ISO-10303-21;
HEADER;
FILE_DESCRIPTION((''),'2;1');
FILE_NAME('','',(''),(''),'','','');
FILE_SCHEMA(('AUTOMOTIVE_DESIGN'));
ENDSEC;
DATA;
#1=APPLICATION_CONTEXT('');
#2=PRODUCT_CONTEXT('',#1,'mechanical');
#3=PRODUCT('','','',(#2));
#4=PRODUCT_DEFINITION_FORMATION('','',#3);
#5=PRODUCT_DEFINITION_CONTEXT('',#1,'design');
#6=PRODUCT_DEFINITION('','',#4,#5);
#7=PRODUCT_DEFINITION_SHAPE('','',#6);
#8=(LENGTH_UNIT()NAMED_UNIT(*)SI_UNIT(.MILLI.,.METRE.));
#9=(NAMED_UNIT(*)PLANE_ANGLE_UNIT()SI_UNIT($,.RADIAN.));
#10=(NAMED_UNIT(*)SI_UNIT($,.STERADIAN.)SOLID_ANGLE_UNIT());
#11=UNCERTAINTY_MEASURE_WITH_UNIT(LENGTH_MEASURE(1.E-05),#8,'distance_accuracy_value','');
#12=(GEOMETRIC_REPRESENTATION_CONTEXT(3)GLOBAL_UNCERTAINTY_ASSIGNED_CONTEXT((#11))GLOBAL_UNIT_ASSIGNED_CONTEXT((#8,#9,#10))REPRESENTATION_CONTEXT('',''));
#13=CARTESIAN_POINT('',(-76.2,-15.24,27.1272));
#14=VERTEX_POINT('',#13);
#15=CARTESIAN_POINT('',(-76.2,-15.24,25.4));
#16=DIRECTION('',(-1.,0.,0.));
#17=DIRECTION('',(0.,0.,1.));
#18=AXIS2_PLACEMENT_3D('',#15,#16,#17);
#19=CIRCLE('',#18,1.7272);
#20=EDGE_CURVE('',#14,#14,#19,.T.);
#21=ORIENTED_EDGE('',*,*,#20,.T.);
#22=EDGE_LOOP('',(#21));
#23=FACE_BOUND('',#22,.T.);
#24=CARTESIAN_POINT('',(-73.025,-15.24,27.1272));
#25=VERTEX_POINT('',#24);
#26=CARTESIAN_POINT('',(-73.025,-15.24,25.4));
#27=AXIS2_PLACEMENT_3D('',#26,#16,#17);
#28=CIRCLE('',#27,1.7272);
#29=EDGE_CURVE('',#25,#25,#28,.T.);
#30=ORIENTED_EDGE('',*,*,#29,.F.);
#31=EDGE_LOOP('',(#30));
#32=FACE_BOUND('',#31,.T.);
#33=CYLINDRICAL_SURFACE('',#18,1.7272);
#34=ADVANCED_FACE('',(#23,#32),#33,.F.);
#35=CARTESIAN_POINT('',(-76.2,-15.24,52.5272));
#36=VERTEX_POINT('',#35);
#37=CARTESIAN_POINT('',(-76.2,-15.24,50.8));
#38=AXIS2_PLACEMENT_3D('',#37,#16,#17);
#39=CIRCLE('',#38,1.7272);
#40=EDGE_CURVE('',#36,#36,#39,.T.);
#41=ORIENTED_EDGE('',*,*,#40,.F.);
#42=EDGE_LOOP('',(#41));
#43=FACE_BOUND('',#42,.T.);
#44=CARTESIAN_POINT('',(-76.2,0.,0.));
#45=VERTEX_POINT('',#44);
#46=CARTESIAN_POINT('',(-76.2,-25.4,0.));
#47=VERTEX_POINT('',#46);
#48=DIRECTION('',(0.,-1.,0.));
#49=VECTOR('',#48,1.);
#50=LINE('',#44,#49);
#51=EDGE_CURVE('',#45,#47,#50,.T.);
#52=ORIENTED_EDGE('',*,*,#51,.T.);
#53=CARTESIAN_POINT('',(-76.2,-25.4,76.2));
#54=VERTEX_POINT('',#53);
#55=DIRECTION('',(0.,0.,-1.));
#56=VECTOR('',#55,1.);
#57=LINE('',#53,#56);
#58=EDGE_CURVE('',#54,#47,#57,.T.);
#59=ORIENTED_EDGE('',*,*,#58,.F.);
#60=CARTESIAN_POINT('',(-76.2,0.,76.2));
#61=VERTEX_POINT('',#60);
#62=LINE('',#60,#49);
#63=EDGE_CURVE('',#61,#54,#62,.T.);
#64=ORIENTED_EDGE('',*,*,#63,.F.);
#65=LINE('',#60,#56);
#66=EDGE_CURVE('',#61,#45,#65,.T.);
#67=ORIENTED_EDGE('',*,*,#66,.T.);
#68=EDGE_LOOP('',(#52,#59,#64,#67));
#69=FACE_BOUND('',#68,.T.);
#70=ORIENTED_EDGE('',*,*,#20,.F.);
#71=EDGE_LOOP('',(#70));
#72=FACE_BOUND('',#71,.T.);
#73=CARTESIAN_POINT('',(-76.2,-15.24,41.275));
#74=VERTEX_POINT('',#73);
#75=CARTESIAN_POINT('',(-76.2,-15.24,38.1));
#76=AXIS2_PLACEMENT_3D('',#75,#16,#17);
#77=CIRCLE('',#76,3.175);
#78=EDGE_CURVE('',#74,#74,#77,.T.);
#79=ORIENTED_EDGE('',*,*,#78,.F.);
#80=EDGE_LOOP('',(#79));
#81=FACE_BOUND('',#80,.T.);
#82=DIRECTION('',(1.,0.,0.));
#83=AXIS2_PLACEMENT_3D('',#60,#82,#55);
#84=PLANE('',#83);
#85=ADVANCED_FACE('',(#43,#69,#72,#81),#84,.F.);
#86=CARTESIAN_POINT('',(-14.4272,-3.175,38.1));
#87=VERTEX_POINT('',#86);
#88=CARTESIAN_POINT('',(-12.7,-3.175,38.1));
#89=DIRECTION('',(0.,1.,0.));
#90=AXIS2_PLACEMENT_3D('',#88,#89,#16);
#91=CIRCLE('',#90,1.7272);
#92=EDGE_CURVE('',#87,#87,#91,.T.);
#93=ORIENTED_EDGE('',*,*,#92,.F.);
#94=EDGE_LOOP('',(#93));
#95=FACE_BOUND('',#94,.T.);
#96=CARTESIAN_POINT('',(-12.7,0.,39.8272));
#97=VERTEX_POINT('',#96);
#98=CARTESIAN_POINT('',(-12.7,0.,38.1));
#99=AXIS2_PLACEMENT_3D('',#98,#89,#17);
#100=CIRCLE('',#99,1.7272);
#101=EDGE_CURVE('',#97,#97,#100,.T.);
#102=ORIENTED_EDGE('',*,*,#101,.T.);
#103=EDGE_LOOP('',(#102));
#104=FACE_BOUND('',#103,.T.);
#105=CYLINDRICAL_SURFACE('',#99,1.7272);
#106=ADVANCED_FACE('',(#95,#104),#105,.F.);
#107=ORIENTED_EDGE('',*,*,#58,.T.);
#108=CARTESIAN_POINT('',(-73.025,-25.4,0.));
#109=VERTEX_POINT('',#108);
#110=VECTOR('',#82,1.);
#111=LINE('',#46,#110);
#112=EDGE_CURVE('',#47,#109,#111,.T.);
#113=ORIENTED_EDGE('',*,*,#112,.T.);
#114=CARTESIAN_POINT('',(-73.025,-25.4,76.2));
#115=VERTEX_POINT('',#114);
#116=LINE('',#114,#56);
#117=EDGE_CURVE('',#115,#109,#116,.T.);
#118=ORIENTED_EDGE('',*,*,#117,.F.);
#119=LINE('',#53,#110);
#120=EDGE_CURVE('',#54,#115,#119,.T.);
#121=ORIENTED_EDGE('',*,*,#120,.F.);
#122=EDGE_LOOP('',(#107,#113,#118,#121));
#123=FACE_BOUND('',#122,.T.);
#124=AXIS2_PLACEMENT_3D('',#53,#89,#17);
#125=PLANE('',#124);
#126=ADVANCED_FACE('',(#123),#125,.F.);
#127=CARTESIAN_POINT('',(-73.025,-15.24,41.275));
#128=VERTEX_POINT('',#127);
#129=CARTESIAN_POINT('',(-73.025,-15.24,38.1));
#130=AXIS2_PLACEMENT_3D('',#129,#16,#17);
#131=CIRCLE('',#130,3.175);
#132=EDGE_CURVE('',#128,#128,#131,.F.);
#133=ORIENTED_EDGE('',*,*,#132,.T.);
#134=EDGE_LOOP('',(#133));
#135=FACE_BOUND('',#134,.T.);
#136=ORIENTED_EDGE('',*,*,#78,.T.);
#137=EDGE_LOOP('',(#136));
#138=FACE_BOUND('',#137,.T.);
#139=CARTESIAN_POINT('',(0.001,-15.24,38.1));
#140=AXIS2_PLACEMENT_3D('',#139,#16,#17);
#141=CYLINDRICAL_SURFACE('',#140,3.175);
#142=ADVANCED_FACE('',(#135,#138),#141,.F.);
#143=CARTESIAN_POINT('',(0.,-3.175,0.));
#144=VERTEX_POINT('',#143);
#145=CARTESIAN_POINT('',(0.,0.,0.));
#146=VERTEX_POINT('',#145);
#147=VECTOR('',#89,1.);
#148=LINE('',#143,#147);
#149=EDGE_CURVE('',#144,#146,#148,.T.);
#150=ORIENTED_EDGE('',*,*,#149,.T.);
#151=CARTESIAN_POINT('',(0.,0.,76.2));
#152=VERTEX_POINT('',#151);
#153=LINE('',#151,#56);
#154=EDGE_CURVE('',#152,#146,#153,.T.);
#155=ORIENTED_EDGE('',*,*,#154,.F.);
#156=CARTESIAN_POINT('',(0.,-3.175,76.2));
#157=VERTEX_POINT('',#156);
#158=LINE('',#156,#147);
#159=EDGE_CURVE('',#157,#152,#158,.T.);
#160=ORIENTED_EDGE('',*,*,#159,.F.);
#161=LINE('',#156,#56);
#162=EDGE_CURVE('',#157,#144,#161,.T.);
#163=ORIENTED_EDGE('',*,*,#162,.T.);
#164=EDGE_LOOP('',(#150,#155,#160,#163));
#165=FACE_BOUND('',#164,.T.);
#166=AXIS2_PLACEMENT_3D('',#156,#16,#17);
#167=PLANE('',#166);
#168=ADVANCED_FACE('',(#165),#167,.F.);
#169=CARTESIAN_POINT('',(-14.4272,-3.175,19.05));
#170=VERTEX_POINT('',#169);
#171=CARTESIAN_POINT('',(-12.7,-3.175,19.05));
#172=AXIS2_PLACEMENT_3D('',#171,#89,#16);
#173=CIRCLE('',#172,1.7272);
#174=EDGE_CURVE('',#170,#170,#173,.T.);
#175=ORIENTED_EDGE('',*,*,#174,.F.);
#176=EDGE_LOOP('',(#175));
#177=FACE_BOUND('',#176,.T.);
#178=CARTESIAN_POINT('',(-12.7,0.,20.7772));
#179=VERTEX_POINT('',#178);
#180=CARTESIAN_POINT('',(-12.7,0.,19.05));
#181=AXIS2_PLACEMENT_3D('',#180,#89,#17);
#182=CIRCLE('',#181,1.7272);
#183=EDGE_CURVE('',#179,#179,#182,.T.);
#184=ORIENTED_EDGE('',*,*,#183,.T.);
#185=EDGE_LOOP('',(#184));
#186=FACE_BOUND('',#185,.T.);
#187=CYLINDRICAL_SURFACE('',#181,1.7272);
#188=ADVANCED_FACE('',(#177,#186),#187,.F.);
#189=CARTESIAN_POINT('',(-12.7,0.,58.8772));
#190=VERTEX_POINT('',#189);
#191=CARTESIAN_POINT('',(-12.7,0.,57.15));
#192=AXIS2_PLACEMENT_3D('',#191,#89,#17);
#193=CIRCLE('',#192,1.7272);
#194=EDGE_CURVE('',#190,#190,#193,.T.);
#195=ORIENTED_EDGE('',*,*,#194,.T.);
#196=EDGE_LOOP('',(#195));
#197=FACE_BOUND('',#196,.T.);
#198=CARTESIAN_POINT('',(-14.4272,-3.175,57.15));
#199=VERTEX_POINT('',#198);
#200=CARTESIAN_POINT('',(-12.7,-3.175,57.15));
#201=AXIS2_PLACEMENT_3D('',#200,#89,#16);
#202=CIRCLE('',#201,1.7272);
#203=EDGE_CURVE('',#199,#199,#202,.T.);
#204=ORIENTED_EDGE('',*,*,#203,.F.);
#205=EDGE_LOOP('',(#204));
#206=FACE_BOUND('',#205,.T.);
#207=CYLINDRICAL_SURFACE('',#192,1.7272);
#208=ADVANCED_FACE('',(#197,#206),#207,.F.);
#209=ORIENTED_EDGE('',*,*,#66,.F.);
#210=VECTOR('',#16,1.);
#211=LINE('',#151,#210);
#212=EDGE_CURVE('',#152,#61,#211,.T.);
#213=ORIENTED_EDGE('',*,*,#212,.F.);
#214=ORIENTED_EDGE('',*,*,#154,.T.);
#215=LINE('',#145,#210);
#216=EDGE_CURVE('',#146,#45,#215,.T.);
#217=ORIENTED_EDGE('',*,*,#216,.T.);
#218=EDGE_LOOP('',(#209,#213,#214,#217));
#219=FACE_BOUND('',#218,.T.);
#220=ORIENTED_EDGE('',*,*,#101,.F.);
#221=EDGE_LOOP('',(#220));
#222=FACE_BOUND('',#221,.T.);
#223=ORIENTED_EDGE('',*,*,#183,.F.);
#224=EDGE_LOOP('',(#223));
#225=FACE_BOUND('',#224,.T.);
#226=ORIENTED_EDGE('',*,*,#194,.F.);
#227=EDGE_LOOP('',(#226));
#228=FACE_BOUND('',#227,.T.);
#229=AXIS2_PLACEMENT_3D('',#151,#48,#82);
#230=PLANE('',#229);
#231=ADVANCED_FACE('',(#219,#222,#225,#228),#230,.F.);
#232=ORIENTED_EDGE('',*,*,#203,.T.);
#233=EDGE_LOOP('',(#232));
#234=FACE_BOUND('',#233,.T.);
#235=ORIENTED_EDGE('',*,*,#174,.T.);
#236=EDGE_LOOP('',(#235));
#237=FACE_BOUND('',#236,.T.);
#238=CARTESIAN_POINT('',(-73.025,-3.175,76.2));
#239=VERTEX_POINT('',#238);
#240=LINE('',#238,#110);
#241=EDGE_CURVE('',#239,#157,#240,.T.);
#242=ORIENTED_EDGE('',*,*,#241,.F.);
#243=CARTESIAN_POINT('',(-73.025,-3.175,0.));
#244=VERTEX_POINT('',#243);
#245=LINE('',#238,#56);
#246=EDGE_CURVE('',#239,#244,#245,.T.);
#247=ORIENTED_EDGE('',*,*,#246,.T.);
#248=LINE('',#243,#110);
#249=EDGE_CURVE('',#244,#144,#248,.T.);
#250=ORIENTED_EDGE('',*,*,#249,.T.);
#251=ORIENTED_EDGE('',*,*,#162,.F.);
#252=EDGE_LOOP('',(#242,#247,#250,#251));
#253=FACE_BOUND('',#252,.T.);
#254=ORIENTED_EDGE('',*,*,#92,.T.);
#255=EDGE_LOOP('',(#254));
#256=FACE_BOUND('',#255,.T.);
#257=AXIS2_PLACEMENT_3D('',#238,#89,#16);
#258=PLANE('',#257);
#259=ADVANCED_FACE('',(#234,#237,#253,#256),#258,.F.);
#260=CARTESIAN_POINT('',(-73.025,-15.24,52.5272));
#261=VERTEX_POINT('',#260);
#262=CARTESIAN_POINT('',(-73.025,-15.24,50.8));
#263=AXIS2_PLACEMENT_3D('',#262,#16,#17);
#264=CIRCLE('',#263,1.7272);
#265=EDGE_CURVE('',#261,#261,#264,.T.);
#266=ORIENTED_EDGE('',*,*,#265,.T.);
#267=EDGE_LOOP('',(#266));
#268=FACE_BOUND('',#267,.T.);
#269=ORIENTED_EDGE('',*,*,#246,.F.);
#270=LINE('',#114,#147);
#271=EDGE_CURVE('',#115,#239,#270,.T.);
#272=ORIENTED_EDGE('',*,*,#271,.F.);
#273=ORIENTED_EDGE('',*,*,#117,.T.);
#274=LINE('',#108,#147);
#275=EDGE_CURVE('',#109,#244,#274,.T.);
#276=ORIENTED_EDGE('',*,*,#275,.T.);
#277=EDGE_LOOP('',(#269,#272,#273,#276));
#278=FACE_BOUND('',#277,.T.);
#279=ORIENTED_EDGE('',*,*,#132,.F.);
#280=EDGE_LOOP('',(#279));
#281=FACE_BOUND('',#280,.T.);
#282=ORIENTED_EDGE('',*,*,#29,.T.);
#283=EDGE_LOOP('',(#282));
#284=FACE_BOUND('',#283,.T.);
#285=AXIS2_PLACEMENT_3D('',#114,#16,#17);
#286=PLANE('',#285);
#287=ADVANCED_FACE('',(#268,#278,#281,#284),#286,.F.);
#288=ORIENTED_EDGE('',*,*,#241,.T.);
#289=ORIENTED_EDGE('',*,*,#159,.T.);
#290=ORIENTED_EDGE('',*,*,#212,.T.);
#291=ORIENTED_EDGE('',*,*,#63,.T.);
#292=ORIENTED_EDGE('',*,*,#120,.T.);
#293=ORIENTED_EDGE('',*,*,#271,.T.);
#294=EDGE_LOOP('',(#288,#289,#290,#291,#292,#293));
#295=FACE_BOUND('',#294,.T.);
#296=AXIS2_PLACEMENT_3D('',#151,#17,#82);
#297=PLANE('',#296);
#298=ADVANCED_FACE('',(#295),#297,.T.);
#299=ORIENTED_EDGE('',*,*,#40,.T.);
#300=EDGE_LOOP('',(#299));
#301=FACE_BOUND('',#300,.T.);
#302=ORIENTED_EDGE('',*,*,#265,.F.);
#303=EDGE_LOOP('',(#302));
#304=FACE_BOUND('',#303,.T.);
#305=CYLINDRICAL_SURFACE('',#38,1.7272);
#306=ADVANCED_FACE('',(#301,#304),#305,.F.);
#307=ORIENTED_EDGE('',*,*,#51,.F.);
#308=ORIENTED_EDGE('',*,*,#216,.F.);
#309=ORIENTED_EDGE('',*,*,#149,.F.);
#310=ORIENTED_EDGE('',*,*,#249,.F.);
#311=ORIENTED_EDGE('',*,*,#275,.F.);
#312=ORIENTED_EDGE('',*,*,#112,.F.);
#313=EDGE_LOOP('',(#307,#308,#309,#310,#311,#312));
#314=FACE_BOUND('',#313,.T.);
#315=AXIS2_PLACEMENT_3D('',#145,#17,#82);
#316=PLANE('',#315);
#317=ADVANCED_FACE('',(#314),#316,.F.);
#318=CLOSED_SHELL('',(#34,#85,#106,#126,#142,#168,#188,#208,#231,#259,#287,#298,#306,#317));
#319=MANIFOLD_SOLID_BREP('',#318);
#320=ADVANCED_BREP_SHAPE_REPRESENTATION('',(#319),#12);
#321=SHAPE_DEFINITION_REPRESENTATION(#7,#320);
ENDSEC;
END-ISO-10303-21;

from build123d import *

# Parameters (mm, degrees)
BOSS_EXTRUDE1_DEPTH       = 76.2
CUT_EXTRUDE1_REACH        = 112.716
SKETCH8_R                 = 3.175
TAP_DRILL_FOR_8_32_TAP1_D = 3.4544
TAP_DRILL_FOR_8_32_TAP2_D = 3.4544


with BuildPart() as part:
    # Sketch2 → Boss-Extrude1 (new body)
    with BuildSketch(Plane.XY):
        Polygon((0, 0), (-76.2, 0), (-76.2, -25.4), (-73.025, -25.4), (-73.025, -3.175), (0, -3.175), align=None)
    extrude(amount=BOSS_EXTRUDE1_DEPTH)

    # Sketch8 → Cut-Extrude1 (cut, up to next)
    with BuildSketch(Plane.ZY.offset(76.2), mode=Mode.PRIVATE) as cut_extrude1_sk1:
        with Locations((38.1, -15.24)):
            Circle(SKETCH8_R)
    cut_extrude1_tool1 = extrude(cut_extrude1_sk1.sketch, amount=-CUT_EXTRUDE1_REACH, mode=Mode.PRIVATE) & part.part
    add(cut_extrude1_tool1.solids().sort_by_distance((-76.2, -15.24, 38.1))[0], mode=Mode.SUBTRACT)

    # Tap Drill for #8-32 Tap1 (through all)
    with Locations(Plane(origin=(0, 0, 0), x_dir=(1, 0, 0), z_dir=(0, 1, 0))):
        with Locations((-12.7, -38.1), (-12.7, -19.05), (-12.7, -57.15)):
            Hole(TAP_DRILL_FOR_8_32_TAP1_D / 2)

    # Tap Drill for #8-32 Tap2 (through all)
    with Locations(Plane.ZY.offset(76.2)):
        with Locations((25.4, -15.24), (50.8, -15.24)):
            Hole(TAP_DRILL_FOR_8_32_TAP2_D / 2)


solid = part.part
